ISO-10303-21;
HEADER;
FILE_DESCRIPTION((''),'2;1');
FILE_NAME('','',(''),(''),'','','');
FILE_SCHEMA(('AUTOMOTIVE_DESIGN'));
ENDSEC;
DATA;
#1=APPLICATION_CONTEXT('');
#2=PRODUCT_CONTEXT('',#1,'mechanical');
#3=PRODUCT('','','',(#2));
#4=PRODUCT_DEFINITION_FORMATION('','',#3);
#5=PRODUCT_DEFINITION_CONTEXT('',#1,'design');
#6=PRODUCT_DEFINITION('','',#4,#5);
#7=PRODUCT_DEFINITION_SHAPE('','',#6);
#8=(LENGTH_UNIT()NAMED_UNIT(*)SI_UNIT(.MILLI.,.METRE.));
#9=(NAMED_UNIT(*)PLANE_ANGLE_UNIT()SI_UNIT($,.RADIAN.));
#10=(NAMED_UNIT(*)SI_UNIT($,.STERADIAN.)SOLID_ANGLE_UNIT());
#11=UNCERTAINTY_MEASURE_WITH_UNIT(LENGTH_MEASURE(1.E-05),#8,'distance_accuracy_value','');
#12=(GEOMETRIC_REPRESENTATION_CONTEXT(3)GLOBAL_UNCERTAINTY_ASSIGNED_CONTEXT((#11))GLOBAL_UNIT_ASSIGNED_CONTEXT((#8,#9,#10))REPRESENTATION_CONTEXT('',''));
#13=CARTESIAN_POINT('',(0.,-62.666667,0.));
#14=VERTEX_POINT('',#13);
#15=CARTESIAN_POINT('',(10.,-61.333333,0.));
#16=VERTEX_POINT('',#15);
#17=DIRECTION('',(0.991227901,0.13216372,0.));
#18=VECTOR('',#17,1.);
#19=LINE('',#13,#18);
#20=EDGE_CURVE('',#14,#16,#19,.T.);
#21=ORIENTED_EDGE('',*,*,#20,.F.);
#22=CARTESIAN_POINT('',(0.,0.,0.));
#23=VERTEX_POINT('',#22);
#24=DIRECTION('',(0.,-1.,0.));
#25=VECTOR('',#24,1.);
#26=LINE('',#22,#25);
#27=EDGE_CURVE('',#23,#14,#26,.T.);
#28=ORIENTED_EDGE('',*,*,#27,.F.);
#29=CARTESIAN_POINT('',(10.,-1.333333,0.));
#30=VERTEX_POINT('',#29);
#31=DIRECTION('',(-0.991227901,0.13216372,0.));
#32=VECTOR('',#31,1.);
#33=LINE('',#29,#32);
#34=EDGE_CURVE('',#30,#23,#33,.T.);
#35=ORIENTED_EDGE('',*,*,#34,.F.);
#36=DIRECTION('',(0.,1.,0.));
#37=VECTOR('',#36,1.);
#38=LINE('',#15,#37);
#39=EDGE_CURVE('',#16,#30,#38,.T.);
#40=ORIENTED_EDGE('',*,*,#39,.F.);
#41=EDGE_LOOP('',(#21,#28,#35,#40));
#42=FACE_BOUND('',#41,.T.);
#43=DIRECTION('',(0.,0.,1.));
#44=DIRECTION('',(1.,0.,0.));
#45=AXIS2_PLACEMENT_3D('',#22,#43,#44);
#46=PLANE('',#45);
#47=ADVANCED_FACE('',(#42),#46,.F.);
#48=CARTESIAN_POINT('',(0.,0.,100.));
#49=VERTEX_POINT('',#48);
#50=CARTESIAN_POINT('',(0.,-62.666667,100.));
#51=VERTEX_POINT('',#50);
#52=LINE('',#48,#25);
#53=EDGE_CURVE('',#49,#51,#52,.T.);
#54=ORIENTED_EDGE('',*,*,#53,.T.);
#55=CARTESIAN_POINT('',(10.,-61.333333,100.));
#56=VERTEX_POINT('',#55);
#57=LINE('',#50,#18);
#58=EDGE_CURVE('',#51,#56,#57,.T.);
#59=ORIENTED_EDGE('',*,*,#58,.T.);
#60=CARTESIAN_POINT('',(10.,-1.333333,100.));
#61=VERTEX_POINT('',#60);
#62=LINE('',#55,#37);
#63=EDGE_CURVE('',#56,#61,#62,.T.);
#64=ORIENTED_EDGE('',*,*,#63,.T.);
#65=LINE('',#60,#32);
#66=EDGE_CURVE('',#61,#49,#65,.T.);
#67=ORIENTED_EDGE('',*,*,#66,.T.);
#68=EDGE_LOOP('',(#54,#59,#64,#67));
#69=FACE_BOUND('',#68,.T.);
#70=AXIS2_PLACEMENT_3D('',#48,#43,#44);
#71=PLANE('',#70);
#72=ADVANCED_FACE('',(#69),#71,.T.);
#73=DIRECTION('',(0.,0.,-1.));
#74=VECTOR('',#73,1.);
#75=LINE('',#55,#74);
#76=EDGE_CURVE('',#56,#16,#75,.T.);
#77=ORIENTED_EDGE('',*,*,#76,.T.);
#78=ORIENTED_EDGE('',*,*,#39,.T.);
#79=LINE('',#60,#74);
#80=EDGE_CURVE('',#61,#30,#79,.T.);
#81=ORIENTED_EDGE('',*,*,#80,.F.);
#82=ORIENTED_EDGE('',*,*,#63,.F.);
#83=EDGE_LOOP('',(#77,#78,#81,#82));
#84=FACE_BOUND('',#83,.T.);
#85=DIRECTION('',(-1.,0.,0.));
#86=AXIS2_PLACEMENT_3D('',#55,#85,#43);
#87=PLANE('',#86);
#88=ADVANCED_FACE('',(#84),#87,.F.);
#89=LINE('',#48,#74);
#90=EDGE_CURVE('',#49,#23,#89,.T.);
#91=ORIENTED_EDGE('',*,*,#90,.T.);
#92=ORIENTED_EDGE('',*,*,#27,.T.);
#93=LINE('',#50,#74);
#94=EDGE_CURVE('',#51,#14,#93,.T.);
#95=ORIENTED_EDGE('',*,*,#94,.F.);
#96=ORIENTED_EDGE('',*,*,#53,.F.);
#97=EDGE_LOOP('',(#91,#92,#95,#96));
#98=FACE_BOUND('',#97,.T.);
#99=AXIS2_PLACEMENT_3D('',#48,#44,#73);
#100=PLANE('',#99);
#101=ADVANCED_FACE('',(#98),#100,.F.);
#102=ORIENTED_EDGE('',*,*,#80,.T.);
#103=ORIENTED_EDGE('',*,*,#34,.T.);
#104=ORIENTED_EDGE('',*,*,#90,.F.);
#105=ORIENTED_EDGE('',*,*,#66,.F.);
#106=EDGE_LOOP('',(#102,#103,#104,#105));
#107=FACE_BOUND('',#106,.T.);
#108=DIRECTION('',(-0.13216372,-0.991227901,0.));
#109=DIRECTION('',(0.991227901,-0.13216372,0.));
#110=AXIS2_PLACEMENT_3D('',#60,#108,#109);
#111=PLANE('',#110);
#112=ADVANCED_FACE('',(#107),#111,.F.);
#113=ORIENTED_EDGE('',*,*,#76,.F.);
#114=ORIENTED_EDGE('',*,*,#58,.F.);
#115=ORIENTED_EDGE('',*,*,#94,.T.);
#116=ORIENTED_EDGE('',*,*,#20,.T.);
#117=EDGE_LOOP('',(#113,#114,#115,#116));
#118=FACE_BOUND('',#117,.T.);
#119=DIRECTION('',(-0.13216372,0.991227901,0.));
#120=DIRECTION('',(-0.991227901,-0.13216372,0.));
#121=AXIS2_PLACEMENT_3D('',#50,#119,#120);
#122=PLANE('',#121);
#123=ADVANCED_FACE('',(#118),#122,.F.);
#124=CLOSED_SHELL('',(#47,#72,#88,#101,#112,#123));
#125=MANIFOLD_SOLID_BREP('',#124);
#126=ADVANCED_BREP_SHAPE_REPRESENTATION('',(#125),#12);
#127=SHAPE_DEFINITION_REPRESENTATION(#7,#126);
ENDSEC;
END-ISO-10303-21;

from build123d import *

# Parameters (mm, degrees)
BOSS_EXTRUDE1_DEPTH = 100


with BuildPart() as part:
    # Sketch1 → Boss-Extrude1 (new body)
    with BuildSketch(Plane.XY):
        Polygon((10, -1.333333333), (0, 0), (0, -62.666666667), (10, -61.333333333), align=None)
    extrude(amount=BOSS_EXTRUDE1_DEPTH)


solid = part.part
